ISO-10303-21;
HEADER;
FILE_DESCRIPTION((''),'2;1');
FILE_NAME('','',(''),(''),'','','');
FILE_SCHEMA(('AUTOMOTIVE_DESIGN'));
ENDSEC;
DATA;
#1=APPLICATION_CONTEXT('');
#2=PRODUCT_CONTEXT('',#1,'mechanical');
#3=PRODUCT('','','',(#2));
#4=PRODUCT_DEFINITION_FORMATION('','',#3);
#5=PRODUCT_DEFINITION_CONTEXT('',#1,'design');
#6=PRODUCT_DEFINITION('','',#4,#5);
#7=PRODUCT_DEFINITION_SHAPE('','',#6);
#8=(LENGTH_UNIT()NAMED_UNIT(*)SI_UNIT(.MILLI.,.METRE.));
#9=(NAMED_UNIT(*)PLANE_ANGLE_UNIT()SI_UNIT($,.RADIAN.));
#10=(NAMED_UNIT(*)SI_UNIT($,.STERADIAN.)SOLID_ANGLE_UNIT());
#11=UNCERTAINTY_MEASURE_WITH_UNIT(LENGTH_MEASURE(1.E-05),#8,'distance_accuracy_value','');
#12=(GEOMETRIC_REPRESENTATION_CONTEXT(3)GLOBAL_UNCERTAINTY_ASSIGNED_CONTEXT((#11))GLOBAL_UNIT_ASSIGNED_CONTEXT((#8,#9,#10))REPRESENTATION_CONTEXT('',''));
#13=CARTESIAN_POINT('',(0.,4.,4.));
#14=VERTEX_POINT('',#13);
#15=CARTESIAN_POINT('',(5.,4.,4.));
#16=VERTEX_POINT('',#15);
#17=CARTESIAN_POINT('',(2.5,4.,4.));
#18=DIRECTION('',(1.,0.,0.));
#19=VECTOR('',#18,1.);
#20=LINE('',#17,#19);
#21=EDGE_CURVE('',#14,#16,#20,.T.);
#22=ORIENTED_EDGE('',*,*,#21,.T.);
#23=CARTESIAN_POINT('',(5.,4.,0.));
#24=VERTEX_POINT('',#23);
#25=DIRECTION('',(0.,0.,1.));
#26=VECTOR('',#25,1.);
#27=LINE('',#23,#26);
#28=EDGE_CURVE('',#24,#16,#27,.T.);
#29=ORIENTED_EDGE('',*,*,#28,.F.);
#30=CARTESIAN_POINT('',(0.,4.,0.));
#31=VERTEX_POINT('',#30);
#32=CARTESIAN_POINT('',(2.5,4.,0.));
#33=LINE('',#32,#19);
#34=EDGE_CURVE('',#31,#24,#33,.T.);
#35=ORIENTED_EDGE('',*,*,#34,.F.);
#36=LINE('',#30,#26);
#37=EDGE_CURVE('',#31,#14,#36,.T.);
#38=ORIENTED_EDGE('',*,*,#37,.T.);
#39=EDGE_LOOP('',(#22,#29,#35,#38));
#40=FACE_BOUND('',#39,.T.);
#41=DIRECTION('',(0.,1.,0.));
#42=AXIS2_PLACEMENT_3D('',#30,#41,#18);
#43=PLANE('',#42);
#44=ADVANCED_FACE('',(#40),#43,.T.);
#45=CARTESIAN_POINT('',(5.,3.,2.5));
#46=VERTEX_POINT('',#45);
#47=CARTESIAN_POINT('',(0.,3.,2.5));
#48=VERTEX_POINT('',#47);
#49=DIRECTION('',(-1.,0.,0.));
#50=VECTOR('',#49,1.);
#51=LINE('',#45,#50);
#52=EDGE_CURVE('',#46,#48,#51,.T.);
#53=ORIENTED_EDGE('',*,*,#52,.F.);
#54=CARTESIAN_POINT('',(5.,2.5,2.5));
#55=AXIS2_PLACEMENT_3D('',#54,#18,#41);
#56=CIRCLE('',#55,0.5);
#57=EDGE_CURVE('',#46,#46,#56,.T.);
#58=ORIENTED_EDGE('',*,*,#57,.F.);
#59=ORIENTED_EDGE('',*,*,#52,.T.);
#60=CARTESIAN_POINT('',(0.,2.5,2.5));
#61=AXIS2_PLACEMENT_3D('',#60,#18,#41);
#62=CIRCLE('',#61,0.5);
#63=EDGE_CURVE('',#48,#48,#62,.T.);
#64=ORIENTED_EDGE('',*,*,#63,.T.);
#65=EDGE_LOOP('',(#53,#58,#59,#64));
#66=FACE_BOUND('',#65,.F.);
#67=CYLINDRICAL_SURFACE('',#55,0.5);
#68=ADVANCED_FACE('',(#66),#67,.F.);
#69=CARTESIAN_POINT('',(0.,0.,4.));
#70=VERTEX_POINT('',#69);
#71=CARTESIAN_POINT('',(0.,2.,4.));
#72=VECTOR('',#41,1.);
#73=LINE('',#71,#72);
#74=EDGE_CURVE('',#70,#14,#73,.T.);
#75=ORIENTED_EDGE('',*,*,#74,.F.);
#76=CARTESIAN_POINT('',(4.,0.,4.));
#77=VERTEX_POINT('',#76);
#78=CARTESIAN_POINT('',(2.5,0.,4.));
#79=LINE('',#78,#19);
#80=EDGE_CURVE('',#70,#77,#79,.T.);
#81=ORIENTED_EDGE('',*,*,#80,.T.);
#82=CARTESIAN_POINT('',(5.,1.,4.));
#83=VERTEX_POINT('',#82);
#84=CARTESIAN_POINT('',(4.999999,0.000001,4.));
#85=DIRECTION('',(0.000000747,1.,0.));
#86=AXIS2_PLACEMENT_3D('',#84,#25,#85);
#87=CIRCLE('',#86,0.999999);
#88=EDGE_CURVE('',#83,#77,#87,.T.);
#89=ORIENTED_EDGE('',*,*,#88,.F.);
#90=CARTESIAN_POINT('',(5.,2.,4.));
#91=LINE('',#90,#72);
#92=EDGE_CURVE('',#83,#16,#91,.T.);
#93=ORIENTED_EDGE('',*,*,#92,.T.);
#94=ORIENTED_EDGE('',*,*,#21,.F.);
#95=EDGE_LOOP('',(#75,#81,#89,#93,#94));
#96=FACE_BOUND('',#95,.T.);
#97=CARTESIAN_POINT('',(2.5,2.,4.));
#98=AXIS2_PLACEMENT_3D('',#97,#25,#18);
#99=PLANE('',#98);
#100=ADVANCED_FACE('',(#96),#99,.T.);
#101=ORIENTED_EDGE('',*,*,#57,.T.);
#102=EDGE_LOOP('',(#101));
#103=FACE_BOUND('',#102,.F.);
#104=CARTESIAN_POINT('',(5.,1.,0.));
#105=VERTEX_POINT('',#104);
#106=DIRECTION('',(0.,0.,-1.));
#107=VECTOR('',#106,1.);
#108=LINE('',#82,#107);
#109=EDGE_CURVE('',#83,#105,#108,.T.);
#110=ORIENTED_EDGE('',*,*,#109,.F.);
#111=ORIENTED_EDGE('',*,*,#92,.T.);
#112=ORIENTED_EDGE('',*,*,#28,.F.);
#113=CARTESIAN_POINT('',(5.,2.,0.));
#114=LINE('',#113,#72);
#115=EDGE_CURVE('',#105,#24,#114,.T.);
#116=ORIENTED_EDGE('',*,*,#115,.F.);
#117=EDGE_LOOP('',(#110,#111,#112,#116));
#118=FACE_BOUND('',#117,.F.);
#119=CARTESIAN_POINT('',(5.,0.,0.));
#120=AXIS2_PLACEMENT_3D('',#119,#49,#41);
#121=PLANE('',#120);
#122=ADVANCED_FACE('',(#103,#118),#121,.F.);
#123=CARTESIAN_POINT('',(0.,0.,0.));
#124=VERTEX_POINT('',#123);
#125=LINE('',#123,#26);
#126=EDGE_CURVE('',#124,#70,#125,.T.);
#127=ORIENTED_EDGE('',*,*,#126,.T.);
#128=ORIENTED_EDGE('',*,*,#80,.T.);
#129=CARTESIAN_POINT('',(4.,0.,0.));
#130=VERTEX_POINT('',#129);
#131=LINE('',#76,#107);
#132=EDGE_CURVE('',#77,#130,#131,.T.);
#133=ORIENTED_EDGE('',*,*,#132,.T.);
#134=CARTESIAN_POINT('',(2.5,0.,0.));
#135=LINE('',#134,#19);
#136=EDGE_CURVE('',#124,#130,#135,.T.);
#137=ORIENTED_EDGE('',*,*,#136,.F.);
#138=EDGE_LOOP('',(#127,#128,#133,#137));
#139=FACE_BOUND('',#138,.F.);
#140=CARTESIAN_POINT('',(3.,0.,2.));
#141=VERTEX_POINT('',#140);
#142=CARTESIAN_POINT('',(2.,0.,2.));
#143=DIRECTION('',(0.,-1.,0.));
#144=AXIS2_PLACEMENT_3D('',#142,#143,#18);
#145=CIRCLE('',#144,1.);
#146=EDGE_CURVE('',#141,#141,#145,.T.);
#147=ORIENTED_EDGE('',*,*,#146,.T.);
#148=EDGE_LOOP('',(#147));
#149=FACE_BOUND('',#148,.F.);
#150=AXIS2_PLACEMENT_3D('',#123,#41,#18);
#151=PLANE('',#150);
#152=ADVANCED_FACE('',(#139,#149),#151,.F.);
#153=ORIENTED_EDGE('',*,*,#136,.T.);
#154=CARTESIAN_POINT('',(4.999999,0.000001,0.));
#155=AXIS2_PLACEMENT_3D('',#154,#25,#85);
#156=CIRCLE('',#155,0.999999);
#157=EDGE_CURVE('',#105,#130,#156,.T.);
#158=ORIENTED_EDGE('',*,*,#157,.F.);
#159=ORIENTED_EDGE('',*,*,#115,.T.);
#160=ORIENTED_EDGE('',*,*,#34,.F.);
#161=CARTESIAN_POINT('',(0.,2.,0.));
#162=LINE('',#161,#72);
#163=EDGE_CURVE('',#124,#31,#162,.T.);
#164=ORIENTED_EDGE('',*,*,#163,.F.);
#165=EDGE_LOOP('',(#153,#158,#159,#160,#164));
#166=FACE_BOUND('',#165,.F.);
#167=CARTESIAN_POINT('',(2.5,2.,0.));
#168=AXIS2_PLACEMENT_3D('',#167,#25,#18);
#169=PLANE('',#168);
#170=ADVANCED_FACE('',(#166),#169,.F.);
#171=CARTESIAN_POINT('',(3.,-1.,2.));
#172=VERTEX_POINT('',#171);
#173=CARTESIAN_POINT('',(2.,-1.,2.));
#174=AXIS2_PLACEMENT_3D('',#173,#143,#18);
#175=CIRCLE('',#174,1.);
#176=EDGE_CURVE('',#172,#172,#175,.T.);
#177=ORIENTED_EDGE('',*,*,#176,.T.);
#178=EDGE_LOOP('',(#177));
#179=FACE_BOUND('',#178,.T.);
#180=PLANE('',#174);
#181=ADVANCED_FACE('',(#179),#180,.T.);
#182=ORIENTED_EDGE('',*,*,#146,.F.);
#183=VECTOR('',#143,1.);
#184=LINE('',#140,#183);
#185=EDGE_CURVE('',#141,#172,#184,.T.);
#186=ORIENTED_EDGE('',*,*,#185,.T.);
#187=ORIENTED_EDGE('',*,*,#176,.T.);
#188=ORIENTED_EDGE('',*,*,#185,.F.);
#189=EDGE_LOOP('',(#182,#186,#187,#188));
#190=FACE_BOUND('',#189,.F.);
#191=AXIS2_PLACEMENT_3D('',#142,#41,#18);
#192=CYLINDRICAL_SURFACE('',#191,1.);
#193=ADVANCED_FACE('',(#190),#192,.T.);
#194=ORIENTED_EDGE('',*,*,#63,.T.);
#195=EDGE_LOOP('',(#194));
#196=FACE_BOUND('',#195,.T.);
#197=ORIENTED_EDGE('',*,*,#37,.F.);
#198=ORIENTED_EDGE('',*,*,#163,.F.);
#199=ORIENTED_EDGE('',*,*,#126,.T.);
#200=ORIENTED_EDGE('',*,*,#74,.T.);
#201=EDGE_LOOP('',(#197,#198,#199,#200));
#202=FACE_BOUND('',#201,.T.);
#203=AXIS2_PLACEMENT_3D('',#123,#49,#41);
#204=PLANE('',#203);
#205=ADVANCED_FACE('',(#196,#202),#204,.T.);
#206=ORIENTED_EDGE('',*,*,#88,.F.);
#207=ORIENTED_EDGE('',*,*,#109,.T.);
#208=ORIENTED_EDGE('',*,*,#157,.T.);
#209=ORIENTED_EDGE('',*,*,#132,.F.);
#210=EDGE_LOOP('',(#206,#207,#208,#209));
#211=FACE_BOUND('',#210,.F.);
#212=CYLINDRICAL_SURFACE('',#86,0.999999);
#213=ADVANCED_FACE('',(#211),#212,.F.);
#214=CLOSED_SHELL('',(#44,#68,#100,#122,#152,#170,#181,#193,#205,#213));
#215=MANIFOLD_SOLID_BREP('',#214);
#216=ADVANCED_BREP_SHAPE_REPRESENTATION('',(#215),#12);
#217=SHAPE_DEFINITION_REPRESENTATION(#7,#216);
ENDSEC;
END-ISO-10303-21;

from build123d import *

# Parameters (mm, degrees)
F0_W     = 5
F0_H     = 4
F1_DEPTH = 4
F2_R     = 1
F3_DEPTH = 1
F5_DEPTH = 4
F6_R     = 0.5
F7_DEPTH = 5


with BuildPart() as f1:
    # F0 (on Top) → F1 (new body)
    with BuildSketch(Plane.XY):
        with Locations((2.5, 2)):
            Rectangle(F0_W, F0_H)
    extrude(amount=F1_DEPTH)

    # F2 (on face) → F3 (join)
    with BuildSketch(Plane.XZ):
        with Locations((2, 2)):
            Circle(F2_R)
    extrude(amount=F3_DEPTH)

    # F4 (on face) → F5 (cut)
    with BuildSketch(Plane.XY.offset(4)):
        with BuildLine():
            Line((5, 0), (5, 1))
            ThreePointArc((5, 1), (4.292893, 0.707107), (4, 0))
            Line((4, 0), (5, 0))
        make_face()
    extrude(amount=-F5_DEPTH, mode=Mode.SUBTRACT)

    # F6 (on face) → F7 (cut)
    with BuildSketch(Plane.YZ.offset(5)):
        with Locations((2.5, 2.5)):
            Circle(F6_R)
    extrude(amount=-F7_DEPTH, mode=Mode.SUBTRACT)


solid = f1.part
